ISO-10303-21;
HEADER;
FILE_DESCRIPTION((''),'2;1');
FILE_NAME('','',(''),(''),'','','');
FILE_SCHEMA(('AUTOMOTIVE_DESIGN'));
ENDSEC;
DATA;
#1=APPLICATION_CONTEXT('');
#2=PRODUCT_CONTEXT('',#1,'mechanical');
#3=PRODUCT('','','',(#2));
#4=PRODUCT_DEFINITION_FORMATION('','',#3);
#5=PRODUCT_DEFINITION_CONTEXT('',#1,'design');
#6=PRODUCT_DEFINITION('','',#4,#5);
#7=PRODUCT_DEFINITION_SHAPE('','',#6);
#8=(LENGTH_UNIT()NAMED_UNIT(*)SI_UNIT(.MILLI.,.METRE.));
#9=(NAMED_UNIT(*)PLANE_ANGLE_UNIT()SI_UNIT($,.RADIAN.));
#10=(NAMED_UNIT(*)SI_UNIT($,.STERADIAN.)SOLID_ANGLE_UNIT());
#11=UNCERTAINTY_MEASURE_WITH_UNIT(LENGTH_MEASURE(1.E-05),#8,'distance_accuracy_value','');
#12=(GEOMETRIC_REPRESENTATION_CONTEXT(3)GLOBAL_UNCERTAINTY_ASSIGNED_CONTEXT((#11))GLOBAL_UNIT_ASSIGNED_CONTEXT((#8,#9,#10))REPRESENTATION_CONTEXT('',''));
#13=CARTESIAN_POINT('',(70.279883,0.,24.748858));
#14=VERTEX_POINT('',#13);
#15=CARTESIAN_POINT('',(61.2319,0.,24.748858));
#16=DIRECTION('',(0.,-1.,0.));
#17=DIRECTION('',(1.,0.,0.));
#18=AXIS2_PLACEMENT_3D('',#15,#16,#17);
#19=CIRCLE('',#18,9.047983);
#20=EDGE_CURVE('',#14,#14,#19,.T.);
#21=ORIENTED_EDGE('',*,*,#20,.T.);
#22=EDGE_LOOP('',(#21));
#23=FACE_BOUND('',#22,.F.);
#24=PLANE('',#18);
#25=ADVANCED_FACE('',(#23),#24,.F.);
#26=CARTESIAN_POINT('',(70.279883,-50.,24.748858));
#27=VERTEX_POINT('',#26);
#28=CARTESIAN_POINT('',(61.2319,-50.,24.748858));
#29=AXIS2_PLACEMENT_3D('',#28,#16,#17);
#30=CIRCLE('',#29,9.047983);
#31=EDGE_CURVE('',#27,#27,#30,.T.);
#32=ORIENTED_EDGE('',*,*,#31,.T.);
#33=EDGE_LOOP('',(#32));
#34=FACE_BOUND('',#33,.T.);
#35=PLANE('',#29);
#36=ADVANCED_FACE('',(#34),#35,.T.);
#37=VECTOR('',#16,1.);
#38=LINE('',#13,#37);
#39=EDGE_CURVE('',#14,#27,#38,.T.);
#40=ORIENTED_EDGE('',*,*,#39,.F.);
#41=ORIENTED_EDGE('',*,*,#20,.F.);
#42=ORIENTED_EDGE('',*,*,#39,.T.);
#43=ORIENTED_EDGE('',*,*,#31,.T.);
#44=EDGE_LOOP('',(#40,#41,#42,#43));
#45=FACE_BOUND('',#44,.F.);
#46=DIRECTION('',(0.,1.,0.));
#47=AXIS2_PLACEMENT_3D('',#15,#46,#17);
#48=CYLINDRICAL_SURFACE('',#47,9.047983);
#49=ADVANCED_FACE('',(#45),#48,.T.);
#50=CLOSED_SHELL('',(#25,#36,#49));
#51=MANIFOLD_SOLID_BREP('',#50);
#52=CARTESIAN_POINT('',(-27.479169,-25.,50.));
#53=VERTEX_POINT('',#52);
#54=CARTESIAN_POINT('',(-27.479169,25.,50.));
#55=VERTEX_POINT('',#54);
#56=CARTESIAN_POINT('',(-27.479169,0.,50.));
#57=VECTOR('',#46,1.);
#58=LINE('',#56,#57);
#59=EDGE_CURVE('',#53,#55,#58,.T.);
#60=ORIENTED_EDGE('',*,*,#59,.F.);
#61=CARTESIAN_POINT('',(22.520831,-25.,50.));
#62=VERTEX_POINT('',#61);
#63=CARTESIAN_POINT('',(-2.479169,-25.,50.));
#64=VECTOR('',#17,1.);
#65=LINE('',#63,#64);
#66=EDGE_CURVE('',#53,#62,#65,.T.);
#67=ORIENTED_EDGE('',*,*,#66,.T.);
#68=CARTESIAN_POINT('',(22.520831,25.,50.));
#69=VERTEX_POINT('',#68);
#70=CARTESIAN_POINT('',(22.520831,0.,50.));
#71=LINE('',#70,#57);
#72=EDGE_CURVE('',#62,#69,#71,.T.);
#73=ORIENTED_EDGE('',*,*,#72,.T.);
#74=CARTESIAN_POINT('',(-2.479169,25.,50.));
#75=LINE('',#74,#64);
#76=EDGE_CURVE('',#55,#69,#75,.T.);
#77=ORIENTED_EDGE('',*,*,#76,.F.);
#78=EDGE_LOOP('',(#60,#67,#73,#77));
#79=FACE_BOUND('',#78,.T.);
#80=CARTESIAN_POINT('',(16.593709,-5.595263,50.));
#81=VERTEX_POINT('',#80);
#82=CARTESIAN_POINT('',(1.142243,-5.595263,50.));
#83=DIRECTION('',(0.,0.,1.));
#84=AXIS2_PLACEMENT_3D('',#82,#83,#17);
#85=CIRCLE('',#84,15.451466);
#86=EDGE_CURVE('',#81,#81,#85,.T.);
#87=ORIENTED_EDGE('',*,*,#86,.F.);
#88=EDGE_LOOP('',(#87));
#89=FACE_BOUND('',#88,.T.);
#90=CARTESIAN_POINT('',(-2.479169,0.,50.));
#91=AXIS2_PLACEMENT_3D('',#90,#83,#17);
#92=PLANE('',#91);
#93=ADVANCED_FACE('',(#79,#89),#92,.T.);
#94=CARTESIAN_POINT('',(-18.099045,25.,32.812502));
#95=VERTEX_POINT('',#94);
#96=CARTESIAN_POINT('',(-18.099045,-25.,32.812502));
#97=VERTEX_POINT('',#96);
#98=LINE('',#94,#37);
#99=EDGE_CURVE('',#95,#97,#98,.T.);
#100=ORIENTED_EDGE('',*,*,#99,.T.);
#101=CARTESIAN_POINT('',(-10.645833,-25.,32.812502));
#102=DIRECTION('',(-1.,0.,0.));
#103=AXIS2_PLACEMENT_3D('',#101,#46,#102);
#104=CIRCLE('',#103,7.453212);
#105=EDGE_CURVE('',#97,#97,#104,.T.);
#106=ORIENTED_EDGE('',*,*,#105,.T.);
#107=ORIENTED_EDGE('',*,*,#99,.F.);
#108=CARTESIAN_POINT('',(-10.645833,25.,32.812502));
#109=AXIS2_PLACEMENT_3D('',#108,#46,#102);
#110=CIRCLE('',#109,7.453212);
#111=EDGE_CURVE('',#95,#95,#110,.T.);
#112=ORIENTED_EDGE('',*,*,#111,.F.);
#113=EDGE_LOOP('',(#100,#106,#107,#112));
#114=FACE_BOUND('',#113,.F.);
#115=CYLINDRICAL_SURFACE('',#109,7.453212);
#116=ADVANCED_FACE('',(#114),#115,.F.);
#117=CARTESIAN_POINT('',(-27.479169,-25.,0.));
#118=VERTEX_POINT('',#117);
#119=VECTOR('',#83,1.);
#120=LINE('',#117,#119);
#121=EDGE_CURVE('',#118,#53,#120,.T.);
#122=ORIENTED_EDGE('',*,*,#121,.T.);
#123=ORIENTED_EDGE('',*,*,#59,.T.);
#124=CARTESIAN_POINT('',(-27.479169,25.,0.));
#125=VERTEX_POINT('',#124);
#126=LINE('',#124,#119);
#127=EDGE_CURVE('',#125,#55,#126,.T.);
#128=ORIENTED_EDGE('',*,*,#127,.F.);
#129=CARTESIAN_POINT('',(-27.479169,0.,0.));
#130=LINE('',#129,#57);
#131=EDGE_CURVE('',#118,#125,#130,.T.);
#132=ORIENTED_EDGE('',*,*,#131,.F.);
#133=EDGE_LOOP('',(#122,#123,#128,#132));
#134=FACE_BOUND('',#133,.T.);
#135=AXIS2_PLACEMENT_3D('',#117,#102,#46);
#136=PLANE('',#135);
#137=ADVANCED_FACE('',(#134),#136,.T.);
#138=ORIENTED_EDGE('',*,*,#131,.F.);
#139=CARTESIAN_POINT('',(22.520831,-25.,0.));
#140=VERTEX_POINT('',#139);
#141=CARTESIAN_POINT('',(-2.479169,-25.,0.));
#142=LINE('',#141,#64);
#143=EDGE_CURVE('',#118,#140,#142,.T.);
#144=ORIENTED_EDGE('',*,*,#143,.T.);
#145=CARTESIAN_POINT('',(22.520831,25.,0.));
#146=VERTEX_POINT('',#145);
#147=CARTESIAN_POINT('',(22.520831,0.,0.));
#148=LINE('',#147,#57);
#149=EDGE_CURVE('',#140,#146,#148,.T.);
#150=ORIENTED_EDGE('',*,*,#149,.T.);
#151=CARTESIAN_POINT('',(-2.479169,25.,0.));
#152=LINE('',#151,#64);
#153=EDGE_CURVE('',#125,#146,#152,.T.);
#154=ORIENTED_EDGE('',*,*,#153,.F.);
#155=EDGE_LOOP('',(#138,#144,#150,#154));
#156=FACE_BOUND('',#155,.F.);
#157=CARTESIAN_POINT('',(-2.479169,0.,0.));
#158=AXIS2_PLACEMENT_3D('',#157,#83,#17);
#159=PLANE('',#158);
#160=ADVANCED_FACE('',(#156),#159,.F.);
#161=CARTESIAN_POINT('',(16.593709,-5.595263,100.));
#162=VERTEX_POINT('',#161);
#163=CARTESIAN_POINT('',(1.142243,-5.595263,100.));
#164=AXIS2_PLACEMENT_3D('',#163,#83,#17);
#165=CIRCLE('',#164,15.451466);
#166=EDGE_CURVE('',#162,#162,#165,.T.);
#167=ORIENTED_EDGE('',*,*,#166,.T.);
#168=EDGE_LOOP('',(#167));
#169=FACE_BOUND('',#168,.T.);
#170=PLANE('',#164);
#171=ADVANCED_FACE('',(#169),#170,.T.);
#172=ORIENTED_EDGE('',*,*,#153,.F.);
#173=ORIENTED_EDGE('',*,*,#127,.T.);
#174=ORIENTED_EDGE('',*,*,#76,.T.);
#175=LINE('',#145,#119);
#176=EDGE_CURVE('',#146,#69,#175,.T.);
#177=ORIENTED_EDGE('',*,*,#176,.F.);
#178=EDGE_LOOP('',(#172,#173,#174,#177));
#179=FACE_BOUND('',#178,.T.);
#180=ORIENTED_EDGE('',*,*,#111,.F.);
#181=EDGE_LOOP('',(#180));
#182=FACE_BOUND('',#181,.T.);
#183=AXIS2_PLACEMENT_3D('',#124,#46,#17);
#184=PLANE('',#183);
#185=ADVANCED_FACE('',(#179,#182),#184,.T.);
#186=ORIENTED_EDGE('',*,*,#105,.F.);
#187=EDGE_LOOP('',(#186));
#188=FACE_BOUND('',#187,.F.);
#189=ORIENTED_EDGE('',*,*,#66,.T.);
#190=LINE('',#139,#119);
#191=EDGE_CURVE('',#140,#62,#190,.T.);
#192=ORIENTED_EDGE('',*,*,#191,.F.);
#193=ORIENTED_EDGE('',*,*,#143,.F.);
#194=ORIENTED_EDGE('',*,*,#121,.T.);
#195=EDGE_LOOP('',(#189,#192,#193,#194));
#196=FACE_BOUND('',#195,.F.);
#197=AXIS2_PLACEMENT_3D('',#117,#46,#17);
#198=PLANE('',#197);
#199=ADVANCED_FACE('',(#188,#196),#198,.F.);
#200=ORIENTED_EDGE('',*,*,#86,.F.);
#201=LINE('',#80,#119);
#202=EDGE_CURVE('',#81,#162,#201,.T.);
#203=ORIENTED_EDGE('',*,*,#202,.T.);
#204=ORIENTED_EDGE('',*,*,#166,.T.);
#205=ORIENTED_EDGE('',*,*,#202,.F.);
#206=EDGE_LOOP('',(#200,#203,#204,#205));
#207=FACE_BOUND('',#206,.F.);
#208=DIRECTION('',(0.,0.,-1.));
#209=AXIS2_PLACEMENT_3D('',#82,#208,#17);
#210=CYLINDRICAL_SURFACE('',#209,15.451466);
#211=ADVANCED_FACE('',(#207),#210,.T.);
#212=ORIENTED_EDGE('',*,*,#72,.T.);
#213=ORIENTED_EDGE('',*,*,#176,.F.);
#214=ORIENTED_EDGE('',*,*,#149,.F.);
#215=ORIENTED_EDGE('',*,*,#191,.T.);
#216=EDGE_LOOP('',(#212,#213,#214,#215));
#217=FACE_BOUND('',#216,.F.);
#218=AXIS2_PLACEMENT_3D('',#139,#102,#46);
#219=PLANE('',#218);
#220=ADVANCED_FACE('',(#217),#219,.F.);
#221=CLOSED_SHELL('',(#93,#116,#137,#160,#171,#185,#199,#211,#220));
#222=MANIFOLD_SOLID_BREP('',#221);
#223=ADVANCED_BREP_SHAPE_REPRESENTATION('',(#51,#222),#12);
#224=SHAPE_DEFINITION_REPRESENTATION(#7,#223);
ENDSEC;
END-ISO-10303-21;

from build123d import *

# Parameters (mm, degrees)
F0_W     = 50
F0_H     = 50
F1_DEPTH = 50
F2_R     = 9.047983
F3_DEPTH = 50
F5_R     = 7.453212
F6_DEPTH = 60
F4_R     = 15.451466
F7_DEPTH = 50


with BuildPart() as f1:
    # F0 (on Top) → F1 (new body)
    with BuildSketch(Plane.XY):
        with Locations((-2.479169, 0)):
            Rectangle(F0_W, F0_H)
    extrude(amount=F1_DEPTH)

    # F5 (on face) → F6 (cut)
    with BuildSketch(Plane(origin=(0, 25, 0), x_dir=(-1, 0, 0), z_dir=(0, 1, 0))):
        with Locations((10.645833, 32.812502)):
            Circle(F5_R)
    extrude(amount=-F6_DEPTH, mode=Mode.SUBTRACT)

    # F4 (on face) → F7 (join)
    with BuildSketch(Plane.XY.offset(50)):
        with Locations((1.142243, -5.595263)):
            Circle(F4_R)
    extrude(amount=F7_DEPTH)


with BuildPart() as f3:
    # F2 (on Front) → F3 (new body)
    with BuildSketch(Plane.XZ):
        with Locations((61.2319, 24.748858)):
            Circle(F2_R)
    extrude(amount=F3_DEPTH)


solid = Compound([f1.part, f3.part])
